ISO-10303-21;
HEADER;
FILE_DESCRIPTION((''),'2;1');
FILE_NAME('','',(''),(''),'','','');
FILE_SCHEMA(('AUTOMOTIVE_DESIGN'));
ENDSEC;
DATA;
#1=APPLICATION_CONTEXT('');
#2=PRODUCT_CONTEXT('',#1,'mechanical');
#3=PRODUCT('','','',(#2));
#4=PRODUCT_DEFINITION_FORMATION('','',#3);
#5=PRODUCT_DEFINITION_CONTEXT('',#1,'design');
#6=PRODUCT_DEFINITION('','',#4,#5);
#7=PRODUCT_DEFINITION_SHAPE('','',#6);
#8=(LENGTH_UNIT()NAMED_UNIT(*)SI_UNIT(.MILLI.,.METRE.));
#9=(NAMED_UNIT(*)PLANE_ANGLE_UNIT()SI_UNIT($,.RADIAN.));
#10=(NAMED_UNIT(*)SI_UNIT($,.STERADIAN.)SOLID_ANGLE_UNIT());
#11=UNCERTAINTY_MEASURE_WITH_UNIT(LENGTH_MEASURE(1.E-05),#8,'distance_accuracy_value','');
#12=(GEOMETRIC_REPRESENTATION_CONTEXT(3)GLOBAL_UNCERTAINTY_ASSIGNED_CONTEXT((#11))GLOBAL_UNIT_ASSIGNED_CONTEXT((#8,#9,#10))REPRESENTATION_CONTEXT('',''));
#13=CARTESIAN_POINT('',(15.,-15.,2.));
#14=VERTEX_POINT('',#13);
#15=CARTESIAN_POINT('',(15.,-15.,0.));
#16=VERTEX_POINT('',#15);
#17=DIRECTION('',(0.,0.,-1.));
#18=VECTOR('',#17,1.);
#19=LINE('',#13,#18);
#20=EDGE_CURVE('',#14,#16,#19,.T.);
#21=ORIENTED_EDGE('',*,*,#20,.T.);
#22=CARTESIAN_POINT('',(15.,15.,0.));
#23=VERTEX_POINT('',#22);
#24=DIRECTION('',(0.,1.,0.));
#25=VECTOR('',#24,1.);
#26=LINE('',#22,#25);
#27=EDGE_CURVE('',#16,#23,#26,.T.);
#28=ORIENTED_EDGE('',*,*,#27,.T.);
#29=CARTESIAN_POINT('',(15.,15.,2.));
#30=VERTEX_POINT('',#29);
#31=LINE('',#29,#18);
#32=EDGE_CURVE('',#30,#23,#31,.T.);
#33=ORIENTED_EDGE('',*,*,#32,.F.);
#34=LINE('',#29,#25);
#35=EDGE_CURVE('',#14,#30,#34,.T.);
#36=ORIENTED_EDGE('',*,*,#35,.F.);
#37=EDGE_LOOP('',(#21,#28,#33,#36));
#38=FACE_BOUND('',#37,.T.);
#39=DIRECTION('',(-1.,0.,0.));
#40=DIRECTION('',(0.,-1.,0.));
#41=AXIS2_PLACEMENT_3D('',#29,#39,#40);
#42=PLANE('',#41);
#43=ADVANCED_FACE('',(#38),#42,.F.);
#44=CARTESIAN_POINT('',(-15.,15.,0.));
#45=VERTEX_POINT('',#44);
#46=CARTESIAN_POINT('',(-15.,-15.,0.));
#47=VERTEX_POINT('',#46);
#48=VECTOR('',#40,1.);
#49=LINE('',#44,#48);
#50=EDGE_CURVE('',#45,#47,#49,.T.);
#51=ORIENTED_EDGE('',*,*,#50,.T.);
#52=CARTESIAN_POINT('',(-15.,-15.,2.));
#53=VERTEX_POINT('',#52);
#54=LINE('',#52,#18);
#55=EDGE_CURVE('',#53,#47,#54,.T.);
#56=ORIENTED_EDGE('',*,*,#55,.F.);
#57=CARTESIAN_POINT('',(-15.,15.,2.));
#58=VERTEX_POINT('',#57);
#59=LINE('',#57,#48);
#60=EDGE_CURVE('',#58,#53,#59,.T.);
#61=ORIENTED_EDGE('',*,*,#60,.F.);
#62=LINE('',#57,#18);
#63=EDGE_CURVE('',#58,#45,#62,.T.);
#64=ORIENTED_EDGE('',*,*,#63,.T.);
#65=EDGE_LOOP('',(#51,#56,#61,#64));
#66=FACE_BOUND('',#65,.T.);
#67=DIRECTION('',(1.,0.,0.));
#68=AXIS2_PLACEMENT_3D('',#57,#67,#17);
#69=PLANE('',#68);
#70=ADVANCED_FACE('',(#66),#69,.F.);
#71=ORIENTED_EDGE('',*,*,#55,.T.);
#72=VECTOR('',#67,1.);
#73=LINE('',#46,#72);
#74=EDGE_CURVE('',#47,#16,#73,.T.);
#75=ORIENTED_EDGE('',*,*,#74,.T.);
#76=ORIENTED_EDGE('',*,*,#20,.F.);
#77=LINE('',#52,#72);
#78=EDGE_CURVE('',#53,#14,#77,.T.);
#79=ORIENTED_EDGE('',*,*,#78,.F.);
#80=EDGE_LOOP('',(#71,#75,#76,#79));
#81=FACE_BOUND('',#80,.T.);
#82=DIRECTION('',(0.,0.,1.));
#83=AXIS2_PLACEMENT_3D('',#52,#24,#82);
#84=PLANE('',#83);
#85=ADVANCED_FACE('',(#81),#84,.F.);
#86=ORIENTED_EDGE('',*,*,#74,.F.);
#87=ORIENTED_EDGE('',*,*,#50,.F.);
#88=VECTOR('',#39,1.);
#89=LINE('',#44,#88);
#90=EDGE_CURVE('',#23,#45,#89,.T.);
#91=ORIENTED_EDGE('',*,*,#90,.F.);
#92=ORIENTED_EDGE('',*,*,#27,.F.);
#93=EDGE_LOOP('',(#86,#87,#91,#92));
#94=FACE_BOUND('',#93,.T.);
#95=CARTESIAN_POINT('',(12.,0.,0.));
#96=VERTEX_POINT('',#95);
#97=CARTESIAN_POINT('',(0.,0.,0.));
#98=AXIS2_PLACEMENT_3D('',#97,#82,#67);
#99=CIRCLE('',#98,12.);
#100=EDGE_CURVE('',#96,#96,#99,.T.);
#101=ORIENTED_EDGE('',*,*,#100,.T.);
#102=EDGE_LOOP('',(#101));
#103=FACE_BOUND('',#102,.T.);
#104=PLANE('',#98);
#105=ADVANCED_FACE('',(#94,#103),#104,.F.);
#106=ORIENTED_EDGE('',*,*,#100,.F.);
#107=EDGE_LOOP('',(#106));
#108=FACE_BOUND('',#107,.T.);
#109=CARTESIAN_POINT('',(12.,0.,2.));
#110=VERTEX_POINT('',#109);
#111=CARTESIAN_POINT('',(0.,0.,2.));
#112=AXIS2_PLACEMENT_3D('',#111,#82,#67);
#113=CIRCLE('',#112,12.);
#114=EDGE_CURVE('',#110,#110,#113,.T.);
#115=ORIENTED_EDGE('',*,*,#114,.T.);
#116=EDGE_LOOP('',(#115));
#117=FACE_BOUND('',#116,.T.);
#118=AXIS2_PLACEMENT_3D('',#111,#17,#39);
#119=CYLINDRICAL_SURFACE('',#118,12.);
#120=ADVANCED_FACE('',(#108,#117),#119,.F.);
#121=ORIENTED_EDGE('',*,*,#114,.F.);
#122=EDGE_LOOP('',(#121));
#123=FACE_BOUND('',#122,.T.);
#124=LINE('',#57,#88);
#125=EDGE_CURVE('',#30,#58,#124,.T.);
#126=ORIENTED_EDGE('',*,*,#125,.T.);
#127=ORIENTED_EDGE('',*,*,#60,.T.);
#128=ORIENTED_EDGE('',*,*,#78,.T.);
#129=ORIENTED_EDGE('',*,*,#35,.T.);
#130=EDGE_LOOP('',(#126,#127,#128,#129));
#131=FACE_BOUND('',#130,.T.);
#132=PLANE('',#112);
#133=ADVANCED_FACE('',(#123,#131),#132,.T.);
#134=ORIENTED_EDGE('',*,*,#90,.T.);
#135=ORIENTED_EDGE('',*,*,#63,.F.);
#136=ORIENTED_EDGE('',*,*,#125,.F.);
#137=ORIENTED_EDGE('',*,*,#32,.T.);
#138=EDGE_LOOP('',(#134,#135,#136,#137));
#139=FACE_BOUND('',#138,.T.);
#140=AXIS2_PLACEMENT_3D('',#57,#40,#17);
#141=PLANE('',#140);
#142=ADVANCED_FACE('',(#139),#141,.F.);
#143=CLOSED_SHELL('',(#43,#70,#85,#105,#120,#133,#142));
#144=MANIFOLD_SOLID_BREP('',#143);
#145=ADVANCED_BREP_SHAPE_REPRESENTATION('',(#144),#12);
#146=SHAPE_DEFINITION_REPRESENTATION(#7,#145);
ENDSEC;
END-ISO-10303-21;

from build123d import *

# Parameters (mm, degrees)
SKETCH1_W           = 30
SKETCH1_H           = 30
SKETCH1_R           = 12
BOSS_EXTRUDE1_DEPTH = 2


with BuildPart() as part:
    # Sketch1 → Boss-Extrude1 (new body)
    with BuildSketch(Plane.XY):
        Rectangle(SKETCH1_W, SKETCH1_H)
        Circle(SKETCH1_R, mode=Mode.SUBTRACT)
    extrude(amount=BOSS_EXTRUDE1_DEPTH)


solid = part.part
